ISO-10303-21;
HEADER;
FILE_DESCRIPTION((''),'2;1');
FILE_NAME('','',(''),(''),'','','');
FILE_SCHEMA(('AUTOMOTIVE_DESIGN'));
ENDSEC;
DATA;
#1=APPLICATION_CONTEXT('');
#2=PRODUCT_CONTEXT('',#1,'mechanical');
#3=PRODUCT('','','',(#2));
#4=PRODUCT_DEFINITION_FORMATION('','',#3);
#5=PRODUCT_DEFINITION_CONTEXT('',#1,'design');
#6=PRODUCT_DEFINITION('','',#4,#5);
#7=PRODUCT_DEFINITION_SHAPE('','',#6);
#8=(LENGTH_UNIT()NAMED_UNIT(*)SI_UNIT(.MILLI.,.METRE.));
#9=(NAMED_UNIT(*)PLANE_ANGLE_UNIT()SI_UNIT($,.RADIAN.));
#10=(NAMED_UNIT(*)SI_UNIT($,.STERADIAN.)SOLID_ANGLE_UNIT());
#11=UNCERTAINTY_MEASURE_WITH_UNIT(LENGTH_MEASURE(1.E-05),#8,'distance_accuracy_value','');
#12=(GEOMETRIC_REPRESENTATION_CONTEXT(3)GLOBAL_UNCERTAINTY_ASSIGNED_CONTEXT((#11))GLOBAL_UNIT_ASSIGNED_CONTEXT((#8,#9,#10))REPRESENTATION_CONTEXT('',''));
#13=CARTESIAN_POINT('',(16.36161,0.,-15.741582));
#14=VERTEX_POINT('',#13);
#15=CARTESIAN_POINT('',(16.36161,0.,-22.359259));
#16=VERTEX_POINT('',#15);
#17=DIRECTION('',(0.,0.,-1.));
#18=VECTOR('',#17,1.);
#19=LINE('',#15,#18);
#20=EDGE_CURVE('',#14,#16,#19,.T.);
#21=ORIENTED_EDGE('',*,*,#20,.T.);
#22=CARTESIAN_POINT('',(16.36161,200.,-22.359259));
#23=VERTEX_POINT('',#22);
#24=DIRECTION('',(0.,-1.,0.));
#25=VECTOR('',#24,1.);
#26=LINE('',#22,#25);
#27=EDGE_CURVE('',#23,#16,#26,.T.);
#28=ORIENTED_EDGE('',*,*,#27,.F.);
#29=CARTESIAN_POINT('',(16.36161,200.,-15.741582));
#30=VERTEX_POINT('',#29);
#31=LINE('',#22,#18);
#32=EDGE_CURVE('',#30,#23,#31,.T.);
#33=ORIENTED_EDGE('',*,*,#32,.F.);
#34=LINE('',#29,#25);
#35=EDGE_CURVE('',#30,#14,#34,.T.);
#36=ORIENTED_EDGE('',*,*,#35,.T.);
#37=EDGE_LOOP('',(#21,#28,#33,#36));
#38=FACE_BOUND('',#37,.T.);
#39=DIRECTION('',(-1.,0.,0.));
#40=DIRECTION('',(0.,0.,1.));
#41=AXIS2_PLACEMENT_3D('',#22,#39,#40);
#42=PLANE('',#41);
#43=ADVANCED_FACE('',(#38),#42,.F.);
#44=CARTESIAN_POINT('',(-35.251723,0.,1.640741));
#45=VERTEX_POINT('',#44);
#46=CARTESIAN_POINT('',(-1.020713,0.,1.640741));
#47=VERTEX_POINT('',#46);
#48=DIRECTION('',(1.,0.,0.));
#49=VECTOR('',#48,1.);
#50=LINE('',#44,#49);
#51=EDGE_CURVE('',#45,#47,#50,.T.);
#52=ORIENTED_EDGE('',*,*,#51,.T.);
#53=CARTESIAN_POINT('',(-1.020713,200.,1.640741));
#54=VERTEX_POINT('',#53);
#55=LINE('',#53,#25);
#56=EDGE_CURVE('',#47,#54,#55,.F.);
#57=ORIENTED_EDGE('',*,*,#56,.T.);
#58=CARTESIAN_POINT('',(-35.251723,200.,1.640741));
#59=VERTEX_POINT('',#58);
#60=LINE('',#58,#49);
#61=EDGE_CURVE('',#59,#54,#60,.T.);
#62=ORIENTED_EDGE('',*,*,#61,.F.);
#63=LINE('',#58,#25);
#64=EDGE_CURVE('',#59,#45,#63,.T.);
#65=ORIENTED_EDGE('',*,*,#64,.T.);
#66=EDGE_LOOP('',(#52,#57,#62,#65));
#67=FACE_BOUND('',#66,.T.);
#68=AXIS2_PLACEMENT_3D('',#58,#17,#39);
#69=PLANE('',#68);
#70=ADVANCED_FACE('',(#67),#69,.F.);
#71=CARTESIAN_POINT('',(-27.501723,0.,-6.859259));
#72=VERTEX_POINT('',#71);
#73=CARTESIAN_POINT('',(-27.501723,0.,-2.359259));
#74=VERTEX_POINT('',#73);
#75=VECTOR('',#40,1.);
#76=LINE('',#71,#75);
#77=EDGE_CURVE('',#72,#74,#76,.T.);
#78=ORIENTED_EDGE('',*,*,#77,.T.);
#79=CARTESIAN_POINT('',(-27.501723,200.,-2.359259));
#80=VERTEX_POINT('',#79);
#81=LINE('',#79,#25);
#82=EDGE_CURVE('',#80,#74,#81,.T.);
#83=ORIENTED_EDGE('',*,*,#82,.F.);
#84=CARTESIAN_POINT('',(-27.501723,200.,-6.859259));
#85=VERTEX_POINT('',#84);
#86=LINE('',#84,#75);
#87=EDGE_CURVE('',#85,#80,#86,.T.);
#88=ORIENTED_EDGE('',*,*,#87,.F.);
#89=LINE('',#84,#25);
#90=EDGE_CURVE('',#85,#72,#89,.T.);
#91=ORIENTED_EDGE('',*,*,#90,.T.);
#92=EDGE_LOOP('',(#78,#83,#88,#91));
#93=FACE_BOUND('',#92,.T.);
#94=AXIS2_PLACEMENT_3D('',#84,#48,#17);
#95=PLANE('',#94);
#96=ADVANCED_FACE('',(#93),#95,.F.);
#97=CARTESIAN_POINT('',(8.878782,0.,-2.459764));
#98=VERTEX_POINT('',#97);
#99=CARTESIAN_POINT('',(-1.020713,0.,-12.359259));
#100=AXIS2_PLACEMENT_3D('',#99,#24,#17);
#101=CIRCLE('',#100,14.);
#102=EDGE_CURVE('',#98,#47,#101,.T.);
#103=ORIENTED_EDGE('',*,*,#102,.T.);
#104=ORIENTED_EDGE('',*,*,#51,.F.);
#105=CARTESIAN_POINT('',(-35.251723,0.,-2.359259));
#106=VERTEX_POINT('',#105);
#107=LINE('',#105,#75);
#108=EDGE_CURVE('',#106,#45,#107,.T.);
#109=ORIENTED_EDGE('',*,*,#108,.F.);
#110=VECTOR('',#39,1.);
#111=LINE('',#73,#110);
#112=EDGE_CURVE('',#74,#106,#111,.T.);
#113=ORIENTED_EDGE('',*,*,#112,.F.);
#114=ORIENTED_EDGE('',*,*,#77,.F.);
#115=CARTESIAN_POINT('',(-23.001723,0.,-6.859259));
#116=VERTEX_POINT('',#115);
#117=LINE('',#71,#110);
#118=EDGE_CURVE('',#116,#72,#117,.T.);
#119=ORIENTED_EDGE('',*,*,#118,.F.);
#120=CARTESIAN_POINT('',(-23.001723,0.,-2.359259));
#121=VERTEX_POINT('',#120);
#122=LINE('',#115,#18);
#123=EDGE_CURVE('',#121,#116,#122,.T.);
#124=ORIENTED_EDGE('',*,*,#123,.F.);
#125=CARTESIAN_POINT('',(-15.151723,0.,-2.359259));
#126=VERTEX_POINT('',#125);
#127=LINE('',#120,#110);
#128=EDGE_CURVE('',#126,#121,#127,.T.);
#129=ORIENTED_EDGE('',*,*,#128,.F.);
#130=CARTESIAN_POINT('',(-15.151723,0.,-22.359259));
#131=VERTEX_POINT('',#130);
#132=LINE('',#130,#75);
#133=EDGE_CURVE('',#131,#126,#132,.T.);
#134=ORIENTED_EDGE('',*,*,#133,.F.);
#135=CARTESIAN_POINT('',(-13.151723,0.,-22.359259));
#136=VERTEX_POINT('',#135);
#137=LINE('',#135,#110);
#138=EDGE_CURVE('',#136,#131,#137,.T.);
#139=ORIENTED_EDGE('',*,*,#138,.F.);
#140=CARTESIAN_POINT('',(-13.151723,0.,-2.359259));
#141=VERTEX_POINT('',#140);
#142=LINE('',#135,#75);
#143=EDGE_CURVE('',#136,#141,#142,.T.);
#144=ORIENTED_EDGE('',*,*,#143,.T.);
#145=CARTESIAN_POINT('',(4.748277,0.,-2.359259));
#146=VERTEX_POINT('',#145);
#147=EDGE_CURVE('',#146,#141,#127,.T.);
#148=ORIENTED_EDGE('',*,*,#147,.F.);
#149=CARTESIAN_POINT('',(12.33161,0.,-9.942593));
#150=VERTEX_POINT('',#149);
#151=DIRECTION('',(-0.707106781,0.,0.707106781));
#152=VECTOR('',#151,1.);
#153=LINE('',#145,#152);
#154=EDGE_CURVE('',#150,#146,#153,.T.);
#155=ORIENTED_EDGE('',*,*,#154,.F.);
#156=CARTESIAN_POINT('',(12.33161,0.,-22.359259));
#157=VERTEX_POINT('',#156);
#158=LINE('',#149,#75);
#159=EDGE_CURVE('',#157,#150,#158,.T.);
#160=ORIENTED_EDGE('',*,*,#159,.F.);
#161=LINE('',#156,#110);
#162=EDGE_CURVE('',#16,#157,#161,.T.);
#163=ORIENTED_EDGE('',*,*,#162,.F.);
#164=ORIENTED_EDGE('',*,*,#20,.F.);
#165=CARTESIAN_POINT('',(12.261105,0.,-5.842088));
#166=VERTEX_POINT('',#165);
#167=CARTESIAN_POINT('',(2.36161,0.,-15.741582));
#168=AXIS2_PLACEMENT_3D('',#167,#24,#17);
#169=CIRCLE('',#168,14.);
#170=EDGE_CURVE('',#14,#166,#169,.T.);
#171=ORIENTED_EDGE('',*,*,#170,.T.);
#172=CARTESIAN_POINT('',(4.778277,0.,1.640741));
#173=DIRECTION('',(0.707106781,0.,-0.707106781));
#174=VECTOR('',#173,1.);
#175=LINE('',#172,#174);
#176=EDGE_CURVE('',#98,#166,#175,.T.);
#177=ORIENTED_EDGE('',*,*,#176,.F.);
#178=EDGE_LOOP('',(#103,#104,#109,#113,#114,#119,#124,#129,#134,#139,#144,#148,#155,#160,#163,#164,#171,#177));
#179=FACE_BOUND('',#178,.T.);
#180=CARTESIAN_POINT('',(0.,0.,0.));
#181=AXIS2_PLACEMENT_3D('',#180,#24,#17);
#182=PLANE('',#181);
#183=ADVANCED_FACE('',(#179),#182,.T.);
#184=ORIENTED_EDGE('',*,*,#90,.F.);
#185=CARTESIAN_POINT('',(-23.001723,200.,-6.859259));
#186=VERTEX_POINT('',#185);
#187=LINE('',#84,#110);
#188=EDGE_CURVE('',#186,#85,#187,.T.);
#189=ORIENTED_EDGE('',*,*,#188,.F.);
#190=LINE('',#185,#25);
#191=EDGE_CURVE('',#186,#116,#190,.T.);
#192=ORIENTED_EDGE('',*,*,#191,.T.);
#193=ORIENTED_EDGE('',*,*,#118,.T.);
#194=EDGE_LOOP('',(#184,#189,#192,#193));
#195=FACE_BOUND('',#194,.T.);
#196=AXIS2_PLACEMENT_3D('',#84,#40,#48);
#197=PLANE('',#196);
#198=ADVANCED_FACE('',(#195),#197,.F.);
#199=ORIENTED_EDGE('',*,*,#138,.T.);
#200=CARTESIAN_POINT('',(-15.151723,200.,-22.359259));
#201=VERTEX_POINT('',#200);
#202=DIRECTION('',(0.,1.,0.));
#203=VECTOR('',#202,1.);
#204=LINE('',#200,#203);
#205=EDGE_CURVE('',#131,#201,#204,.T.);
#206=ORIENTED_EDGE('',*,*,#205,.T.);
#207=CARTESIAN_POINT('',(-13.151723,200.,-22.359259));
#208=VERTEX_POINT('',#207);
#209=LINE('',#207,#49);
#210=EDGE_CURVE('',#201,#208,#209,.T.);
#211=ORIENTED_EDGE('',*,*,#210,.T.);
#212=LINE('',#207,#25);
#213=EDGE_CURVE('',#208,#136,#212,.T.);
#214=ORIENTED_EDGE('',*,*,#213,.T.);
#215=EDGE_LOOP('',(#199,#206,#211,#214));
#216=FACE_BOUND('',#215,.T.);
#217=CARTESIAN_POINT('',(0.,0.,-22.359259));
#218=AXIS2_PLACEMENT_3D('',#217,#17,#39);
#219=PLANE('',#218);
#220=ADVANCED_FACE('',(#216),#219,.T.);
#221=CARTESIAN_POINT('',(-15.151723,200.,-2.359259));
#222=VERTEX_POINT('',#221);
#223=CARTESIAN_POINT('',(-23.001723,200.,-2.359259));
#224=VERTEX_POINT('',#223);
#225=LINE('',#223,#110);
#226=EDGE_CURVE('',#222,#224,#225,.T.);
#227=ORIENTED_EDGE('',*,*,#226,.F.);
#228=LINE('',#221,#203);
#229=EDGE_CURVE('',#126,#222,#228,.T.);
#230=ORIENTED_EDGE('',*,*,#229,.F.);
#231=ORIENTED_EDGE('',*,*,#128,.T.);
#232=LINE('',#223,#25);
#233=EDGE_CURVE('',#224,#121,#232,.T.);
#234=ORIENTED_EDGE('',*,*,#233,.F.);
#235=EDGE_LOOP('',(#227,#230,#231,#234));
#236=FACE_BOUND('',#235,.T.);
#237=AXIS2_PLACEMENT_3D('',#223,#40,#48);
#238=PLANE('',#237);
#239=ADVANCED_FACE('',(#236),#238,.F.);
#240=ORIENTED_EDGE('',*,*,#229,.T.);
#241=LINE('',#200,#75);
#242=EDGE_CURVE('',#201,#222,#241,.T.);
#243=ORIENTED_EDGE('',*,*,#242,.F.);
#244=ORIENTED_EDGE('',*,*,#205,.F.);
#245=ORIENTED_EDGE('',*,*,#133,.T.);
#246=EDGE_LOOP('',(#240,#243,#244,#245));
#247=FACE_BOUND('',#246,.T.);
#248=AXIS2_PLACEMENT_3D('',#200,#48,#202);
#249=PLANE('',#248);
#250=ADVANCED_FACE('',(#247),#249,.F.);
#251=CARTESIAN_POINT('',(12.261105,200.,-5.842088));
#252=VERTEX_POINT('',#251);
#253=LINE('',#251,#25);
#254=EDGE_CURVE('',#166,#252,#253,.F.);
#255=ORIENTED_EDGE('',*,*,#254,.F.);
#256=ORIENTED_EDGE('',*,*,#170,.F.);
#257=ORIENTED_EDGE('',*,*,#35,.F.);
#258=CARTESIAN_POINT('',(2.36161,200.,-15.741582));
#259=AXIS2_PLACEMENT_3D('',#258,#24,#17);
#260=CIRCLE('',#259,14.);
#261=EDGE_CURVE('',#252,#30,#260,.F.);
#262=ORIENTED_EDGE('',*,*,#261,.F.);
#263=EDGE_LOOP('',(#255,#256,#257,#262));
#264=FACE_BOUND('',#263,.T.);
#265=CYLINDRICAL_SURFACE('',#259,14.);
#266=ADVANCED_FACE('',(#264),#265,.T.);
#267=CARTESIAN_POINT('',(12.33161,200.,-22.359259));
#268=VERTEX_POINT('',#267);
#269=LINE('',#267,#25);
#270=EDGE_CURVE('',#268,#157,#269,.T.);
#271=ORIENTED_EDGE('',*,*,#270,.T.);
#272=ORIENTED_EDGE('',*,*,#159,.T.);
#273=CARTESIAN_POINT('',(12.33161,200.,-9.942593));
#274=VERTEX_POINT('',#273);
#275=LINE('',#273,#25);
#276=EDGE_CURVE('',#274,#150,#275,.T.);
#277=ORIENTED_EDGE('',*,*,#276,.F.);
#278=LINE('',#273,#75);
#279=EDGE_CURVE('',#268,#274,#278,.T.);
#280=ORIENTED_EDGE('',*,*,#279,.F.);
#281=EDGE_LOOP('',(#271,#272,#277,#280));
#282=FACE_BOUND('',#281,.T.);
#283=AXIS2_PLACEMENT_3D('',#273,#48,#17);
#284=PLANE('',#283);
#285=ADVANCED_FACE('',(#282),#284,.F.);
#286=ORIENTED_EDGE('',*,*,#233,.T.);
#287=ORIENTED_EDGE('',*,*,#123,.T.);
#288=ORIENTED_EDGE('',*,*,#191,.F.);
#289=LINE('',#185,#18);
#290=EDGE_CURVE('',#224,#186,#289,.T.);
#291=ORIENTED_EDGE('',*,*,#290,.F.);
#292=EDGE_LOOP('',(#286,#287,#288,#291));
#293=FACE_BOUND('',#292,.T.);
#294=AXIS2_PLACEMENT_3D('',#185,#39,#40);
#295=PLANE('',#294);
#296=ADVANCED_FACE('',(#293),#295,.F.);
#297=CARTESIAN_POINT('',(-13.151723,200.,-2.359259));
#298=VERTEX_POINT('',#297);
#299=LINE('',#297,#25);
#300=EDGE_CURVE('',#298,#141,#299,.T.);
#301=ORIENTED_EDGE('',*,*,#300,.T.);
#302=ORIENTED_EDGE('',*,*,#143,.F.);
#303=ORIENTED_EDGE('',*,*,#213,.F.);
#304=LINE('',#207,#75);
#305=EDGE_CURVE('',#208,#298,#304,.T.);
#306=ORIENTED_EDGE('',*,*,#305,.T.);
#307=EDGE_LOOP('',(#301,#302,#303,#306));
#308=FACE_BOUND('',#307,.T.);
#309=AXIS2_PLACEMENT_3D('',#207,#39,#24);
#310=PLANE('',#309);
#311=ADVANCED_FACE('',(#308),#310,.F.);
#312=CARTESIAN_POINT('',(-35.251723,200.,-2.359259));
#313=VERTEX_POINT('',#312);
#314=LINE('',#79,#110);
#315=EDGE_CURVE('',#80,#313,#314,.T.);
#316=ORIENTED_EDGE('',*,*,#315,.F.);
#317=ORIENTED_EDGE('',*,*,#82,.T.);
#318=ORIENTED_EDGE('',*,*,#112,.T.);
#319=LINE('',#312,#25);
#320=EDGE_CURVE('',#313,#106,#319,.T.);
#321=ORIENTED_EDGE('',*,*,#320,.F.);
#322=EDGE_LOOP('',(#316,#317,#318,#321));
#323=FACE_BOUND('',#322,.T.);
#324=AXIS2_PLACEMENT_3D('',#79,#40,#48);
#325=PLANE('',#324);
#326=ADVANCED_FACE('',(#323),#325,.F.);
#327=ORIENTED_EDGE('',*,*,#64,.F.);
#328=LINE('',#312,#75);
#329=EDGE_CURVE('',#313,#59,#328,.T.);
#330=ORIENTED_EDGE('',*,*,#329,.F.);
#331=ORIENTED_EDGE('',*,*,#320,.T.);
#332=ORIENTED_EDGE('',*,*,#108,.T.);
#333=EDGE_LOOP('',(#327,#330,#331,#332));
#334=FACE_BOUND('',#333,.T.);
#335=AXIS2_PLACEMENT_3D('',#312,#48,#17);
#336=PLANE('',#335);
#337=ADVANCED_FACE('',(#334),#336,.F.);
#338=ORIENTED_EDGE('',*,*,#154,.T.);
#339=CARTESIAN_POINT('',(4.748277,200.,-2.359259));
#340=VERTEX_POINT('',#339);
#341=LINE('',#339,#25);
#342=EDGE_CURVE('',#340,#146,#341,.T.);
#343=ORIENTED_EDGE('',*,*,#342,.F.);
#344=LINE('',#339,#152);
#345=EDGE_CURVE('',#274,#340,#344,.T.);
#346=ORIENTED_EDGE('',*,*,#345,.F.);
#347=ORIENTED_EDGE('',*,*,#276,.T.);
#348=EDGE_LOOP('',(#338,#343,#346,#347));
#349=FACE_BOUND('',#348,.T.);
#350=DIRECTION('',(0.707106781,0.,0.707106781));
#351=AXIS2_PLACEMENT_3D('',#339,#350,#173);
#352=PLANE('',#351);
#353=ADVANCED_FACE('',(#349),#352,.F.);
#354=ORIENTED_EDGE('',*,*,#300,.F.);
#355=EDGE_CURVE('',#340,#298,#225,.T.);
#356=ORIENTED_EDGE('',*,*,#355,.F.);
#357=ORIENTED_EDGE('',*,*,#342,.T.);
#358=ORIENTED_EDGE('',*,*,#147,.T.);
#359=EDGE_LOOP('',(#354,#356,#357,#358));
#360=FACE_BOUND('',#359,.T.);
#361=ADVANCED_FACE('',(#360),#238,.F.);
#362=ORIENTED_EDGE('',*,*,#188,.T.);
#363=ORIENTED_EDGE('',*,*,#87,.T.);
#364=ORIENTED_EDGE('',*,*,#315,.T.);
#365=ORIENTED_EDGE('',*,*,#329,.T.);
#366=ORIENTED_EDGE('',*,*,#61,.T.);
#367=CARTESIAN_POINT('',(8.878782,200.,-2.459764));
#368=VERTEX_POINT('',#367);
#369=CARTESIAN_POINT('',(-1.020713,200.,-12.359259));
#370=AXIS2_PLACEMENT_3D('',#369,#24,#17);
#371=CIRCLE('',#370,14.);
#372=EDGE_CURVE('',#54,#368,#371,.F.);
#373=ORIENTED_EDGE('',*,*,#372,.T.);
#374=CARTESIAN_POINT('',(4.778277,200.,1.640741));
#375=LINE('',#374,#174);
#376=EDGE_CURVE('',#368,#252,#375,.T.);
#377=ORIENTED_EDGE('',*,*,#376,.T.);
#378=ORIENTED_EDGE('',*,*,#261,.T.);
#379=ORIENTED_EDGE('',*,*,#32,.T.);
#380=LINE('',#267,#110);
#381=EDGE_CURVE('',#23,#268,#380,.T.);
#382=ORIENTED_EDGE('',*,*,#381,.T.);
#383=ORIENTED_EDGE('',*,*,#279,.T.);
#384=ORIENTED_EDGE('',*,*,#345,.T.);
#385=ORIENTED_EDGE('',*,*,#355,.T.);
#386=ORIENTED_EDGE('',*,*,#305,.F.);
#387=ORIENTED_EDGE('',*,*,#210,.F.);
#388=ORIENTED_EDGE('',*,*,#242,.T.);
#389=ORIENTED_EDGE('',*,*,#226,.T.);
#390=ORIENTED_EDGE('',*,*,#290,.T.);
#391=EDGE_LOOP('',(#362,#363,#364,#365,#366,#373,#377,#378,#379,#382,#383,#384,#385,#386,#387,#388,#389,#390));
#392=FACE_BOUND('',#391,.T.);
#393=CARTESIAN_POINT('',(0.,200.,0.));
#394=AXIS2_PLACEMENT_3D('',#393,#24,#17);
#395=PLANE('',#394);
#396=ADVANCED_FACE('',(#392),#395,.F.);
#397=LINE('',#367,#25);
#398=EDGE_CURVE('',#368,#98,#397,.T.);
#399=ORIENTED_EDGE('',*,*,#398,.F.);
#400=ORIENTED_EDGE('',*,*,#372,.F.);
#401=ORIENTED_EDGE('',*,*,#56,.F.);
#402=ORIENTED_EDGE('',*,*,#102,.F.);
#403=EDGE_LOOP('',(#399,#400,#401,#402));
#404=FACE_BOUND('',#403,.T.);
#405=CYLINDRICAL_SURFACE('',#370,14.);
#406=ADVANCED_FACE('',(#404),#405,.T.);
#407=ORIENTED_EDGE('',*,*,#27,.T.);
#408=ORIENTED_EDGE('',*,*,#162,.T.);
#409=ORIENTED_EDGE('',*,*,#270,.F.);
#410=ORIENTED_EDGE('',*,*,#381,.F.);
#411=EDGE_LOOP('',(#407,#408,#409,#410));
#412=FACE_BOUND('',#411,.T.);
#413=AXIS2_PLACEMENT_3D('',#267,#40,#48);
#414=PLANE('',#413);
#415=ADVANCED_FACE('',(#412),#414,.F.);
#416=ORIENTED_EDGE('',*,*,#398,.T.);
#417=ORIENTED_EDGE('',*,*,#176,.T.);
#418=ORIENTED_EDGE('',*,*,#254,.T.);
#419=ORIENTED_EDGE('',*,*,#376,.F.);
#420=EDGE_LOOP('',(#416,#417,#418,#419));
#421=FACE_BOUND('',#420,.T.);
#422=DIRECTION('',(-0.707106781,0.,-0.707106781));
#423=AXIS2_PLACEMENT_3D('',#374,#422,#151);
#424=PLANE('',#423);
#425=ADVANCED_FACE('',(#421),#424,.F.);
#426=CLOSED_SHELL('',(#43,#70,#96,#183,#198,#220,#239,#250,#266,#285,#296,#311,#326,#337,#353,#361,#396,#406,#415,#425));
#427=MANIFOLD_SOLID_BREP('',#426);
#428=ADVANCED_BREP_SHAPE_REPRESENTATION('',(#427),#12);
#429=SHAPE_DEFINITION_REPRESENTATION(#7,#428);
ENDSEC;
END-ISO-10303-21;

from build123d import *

# Parameters (mm, degrees)
EXTRUDE_1_DEPTH = 200
FILLET_1_R      = 14
SKETCH_2_W      = 2
SKETCH_2_H      = 200
EXTRUDE_2_DEPTH = 20


with BuildPart() as part:
    # 草圖1 → 填料-伸長1 (new body)
    with BuildSketch(Plane(origin=(0, 0, 0), x_dir=(1, 0, 0), z_dir=(0, 1, 0))):
        Polygon((-27.501723192, 6.859259259), (-23.001723192, 6.859259259), (-23.001723192, 2.359259259), (4.748276808, 2.359259259), (12.331610141, 9.942592593), (12.331610141, 22.359259259), (16.361610141, 22.359259259), (16.361610141, 9.942592593), (4.778276808, -1.640740741), (-35.251723192, -1.640740741), (-35.251723192, 2.359259259), (-27.501723192, 2.359259259), align=None)
    extrude(amount=EXTRUDE_1_DEPTH)

    # 圓角1
    fillet_1_edges = [part.edges().sort_by_distance(p)[0] for p in [
        (16.361610141, 100, -9.942592593),
        (4.778276808, 100, 1.640740741),
    ]]
    fillet(fillet_1_edges, radius=FILLET_1_R)

    # 草圖2 → 填料-伸長2 (add)
    with BuildSketch(Plane(origin=(0, 0, -2.359259259), x_dir=(-1, 0, 0), z_dir=(0, 0, -1))):
        with Locations((14.151723192, 100)):
            Rectangle(SKETCH_2_W, SKETCH_2_H)
    extrude(amount=EXTRUDE_2_DEPTH)


solid = part.part
